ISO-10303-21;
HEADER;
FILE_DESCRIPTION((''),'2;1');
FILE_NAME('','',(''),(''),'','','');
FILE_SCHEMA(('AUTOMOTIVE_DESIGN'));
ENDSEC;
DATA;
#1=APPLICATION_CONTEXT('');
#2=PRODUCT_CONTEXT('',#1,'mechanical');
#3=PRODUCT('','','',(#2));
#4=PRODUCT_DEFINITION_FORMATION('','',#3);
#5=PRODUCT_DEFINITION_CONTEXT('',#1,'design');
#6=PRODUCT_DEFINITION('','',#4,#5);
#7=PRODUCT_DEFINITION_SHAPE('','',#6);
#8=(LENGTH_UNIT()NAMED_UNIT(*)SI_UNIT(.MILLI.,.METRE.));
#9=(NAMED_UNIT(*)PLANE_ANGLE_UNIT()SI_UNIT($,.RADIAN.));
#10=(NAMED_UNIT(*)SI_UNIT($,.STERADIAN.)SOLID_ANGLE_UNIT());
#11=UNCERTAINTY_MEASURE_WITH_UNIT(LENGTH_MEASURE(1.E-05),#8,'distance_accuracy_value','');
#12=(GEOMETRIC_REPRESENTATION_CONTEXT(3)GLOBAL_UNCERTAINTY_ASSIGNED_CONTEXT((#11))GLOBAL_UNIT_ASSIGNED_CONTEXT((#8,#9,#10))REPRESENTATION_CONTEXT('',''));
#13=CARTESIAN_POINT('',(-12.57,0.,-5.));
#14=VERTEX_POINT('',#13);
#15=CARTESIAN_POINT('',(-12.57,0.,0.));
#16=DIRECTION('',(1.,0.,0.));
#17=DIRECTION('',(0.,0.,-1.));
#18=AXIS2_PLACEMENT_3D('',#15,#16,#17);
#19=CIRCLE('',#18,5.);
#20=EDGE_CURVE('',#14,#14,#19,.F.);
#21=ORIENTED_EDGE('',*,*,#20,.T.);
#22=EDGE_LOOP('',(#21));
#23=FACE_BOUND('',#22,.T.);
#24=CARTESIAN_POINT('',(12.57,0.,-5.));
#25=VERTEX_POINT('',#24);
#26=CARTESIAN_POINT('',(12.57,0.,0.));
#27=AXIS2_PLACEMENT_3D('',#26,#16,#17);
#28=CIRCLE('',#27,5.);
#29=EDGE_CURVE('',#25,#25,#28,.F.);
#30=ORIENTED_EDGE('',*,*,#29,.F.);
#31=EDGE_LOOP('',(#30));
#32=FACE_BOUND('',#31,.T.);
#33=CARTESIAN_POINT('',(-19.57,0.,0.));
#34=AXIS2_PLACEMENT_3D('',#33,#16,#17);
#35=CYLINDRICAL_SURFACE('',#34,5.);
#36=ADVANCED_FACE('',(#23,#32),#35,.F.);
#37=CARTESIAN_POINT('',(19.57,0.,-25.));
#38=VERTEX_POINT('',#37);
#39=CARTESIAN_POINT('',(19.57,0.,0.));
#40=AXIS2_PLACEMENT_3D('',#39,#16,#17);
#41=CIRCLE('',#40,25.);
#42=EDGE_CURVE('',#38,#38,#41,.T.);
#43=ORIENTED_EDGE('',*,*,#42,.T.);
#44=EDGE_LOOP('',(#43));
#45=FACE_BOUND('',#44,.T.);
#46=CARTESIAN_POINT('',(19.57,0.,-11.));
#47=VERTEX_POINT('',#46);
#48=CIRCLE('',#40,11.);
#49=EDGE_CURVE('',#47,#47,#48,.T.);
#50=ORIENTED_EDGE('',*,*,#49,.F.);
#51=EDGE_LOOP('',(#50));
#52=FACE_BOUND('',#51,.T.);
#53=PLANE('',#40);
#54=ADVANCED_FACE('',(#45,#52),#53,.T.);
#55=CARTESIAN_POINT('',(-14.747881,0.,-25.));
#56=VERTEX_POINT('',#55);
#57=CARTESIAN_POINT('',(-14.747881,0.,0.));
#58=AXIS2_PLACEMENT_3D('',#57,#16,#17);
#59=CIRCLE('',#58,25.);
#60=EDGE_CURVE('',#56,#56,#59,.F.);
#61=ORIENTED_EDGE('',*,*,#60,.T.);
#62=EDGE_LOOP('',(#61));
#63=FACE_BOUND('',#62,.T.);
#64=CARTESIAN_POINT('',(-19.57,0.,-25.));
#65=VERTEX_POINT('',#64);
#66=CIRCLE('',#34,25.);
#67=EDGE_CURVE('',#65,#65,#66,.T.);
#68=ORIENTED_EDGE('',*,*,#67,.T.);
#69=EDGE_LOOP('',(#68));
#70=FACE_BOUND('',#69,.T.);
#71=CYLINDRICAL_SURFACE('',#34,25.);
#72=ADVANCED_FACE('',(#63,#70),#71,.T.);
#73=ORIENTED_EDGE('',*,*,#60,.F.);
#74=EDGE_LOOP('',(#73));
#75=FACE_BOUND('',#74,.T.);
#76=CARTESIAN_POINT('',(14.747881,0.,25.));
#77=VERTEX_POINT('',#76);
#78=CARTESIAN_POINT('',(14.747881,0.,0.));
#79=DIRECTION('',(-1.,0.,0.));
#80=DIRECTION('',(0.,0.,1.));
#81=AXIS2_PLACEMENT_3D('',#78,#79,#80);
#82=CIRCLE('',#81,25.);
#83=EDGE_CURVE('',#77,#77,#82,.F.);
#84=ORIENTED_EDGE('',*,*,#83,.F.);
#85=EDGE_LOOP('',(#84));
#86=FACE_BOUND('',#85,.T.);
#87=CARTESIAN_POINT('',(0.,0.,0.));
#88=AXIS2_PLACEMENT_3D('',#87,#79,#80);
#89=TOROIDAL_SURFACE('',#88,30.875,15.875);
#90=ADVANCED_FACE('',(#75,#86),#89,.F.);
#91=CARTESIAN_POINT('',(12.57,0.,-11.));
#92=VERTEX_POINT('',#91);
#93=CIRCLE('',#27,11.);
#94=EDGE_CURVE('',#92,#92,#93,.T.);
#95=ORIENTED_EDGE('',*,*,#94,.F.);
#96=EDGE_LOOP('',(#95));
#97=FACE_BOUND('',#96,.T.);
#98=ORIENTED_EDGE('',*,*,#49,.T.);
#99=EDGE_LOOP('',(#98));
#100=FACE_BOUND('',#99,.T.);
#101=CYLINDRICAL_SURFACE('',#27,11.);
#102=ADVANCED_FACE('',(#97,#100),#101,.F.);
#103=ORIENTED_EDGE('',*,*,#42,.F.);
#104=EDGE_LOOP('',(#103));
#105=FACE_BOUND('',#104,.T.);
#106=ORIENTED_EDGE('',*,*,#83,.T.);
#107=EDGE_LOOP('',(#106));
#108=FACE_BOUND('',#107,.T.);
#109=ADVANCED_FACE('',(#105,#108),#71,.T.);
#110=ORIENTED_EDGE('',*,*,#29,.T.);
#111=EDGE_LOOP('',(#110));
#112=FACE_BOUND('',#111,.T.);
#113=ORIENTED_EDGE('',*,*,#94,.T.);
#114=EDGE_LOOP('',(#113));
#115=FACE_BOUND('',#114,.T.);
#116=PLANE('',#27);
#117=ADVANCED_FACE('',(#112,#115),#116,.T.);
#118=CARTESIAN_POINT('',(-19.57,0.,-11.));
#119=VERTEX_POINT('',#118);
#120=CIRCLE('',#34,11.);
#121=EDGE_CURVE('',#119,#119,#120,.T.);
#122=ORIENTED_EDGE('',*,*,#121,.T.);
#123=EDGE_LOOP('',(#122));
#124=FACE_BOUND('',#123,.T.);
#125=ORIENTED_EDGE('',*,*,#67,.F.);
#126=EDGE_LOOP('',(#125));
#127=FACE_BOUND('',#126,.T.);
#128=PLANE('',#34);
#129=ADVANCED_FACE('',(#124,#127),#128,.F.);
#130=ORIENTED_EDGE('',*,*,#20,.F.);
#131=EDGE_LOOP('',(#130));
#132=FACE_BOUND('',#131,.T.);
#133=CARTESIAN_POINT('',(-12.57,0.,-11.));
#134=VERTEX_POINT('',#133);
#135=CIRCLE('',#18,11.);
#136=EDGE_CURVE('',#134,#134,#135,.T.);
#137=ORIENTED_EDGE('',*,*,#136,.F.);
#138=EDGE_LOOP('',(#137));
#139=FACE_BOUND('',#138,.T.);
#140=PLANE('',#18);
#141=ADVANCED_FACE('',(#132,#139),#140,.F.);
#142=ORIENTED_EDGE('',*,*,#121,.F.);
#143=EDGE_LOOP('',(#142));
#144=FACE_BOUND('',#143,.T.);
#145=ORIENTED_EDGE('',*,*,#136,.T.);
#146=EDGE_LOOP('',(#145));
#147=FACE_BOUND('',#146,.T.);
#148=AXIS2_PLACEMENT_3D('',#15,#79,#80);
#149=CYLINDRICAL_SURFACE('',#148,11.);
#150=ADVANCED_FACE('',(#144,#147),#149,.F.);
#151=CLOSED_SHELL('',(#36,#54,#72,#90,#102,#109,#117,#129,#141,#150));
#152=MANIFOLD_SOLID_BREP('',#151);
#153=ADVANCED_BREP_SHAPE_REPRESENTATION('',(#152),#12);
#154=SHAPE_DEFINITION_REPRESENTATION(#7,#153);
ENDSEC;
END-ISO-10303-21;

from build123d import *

# Parameters (mm, degrees)
BOSS_EXTRUDE1_DEPTH      = 19.57
BOSS_EXTRUDE1_DEPTH_BACK = 19.57
SKETCH1_R                = 25
SKETCH1_R_2              = 5
CUT_EXTRUDE1_START       = 19.57
SKETCH2_R                = 11
CUT_EXTRUDE1_DEPTH       = 7
CUT_EXTRUDE2_START       = -12.57
SKETCH3_R                = 11
CUT_EXTRUDE2_DEPTH       = 7
SKETCH4_R                = 15.875


with BuildPart() as part:
    # Sketch1 → Boss-Extrude1 (new, two sides: drawn at the far end of the back side and taken through both)
    with BuildSketch(Plane(origin=(0, 0, 0), x_dir=(0, 0, -1), z_dir=(1, 0, 0)).offset(-BOSS_EXTRUDE1_DEPTH_BACK)):
        Circle(SKETCH1_R)
        Circle(SKETCH1_R_2, mode=Mode.SUBTRACT)
    extrude(amount=BOSS_EXTRUDE1_DEPTH + BOSS_EXTRUDE1_DEPTH_BACK)

    # Sketch2 → Cut-Extrude1 (cut)
    with BuildSketch(Plane(origin=(0, 0, 0), x_dir=(0, 0, -1), z_dir=(1, 0, 0)).offset(CUT_EXTRUDE1_START)):
        Circle(SKETCH2_R)
    extrude(amount=-CUT_EXTRUDE1_DEPTH, mode=Mode.SUBTRACT)

    # Sketch3 → Cut-Extrude2 (cut)
    with BuildSketch(Plane(origin=(0, 0, 0), x_dir=(0, 0, -1), z_dir=(1, 0, 0)).offset(CUT_EXTRUDE2_START)):
        Circle(SKETCH3_R)
    extrude(amount=-CUT_EXTRUDE2_DEPTH, mode=Mode.SUBTRACT)

    # Sketch4 → Cut-Revolve1 (revolve, cut)
    with BuildSketch(Plane.XY, mode=Mode.PRIVATE) as cut_revolve1_sk:
        with Locations((0, 30.875)):
            Circle(SKETCH4_R)
    revolve(cut_revolve1_sk.sketch.rotate(Axis((0, 0, 0), (1, 0, 0)), 270), axis=Axis((0, 0, 0), (1, 0, 0)), mode=Mode.SUBTRACT)


solid = part.part
